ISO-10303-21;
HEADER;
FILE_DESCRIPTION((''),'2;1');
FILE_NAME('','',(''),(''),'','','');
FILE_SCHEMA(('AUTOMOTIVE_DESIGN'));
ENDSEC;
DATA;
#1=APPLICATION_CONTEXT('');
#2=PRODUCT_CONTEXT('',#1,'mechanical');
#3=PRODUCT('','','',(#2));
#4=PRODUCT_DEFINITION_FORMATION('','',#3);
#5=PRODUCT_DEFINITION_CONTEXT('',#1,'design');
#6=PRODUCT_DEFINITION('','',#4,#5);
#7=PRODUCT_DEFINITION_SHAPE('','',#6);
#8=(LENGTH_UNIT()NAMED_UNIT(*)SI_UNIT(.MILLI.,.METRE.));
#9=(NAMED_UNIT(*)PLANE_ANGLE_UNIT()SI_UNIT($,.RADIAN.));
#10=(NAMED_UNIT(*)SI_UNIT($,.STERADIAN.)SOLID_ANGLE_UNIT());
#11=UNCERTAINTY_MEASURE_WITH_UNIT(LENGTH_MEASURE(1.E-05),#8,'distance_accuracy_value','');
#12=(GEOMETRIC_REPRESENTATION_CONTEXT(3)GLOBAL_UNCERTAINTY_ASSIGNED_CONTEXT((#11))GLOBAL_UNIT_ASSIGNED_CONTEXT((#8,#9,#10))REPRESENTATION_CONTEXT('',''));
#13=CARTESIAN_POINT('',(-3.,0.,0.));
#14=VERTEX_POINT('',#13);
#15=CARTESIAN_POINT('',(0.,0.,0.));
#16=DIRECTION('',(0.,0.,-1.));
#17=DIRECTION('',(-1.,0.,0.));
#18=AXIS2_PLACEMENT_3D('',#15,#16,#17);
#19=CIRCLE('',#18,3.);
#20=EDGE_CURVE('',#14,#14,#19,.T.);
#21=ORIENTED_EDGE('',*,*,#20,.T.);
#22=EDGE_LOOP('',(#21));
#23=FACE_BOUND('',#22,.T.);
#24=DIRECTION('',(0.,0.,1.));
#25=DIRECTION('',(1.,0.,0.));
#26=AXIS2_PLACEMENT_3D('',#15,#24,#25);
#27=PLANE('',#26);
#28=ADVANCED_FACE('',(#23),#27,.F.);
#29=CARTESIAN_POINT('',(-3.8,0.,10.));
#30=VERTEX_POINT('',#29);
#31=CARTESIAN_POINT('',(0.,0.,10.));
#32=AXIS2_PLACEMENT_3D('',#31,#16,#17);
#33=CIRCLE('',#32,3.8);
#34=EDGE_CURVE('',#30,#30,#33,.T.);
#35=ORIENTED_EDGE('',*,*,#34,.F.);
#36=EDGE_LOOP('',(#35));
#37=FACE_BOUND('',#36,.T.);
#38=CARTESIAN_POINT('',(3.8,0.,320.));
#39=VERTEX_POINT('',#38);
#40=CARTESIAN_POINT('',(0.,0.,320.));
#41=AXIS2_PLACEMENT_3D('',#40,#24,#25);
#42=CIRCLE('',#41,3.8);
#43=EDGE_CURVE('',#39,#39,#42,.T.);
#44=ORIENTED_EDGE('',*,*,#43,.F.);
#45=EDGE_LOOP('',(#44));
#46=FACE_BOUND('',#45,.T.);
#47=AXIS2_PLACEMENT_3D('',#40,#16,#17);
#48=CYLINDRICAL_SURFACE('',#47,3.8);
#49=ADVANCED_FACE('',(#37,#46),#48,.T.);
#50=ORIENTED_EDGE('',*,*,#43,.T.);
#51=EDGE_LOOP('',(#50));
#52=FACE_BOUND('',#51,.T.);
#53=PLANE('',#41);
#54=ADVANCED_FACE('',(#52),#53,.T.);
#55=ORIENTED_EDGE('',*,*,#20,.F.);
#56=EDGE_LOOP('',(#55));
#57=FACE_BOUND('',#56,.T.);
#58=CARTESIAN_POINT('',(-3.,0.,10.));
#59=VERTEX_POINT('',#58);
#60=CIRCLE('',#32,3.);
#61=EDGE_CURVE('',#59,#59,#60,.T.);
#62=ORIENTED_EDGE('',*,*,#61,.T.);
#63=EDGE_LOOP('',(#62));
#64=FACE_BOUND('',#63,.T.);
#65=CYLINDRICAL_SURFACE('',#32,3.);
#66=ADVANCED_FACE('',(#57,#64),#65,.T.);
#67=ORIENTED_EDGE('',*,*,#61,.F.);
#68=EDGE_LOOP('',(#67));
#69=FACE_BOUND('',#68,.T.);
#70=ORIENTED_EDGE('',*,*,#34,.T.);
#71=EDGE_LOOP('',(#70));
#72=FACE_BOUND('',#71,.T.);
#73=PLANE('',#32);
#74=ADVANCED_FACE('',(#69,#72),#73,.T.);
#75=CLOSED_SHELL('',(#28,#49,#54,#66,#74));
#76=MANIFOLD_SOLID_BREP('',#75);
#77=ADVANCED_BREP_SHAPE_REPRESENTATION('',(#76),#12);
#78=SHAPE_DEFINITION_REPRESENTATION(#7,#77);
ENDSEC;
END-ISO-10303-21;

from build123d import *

# Parameters (mm, degrees)
SKETCH1_R           = 3.8
BOSS_EXTRUDE1_DEPTH = 320
SKETCH2_OUTSIDE_W   = 73.636
SKETCH2_OUTSIDE_H   = 73.636
SKETCH2_OUTSIDE_R   = 3
CUT_EXTRUDE1_DEPTH  = 10


with BuildPart() as part:
    # Sketch1 → Boss-Extrude1 (new body)
    with BuildSketch(Plane.XY):
        Circle(SKETCH1_R)
    extrude(amount=BOSS_EXTRUDE1_DEPTH)

    # Sketch2 outside → Cut-Extrude1 (cut)
    with BuildSketch(Plane(origin=(0, 0, 0), x_dir=(-1, 0, 0), z_dir=(0, 0, -1))):
        Rectangle(SKETCH2_OUTSIDE_W, SKETCH2_OUTSIDE_H)
        Circle(SKETCH2_OUTSIDE_R, mode=Mode.SUBTRACT)
    extrude(amount=-CUT_EXTRUDE1_DEPTH, mode=Mode.SUBTRACT)


solid = part.part
